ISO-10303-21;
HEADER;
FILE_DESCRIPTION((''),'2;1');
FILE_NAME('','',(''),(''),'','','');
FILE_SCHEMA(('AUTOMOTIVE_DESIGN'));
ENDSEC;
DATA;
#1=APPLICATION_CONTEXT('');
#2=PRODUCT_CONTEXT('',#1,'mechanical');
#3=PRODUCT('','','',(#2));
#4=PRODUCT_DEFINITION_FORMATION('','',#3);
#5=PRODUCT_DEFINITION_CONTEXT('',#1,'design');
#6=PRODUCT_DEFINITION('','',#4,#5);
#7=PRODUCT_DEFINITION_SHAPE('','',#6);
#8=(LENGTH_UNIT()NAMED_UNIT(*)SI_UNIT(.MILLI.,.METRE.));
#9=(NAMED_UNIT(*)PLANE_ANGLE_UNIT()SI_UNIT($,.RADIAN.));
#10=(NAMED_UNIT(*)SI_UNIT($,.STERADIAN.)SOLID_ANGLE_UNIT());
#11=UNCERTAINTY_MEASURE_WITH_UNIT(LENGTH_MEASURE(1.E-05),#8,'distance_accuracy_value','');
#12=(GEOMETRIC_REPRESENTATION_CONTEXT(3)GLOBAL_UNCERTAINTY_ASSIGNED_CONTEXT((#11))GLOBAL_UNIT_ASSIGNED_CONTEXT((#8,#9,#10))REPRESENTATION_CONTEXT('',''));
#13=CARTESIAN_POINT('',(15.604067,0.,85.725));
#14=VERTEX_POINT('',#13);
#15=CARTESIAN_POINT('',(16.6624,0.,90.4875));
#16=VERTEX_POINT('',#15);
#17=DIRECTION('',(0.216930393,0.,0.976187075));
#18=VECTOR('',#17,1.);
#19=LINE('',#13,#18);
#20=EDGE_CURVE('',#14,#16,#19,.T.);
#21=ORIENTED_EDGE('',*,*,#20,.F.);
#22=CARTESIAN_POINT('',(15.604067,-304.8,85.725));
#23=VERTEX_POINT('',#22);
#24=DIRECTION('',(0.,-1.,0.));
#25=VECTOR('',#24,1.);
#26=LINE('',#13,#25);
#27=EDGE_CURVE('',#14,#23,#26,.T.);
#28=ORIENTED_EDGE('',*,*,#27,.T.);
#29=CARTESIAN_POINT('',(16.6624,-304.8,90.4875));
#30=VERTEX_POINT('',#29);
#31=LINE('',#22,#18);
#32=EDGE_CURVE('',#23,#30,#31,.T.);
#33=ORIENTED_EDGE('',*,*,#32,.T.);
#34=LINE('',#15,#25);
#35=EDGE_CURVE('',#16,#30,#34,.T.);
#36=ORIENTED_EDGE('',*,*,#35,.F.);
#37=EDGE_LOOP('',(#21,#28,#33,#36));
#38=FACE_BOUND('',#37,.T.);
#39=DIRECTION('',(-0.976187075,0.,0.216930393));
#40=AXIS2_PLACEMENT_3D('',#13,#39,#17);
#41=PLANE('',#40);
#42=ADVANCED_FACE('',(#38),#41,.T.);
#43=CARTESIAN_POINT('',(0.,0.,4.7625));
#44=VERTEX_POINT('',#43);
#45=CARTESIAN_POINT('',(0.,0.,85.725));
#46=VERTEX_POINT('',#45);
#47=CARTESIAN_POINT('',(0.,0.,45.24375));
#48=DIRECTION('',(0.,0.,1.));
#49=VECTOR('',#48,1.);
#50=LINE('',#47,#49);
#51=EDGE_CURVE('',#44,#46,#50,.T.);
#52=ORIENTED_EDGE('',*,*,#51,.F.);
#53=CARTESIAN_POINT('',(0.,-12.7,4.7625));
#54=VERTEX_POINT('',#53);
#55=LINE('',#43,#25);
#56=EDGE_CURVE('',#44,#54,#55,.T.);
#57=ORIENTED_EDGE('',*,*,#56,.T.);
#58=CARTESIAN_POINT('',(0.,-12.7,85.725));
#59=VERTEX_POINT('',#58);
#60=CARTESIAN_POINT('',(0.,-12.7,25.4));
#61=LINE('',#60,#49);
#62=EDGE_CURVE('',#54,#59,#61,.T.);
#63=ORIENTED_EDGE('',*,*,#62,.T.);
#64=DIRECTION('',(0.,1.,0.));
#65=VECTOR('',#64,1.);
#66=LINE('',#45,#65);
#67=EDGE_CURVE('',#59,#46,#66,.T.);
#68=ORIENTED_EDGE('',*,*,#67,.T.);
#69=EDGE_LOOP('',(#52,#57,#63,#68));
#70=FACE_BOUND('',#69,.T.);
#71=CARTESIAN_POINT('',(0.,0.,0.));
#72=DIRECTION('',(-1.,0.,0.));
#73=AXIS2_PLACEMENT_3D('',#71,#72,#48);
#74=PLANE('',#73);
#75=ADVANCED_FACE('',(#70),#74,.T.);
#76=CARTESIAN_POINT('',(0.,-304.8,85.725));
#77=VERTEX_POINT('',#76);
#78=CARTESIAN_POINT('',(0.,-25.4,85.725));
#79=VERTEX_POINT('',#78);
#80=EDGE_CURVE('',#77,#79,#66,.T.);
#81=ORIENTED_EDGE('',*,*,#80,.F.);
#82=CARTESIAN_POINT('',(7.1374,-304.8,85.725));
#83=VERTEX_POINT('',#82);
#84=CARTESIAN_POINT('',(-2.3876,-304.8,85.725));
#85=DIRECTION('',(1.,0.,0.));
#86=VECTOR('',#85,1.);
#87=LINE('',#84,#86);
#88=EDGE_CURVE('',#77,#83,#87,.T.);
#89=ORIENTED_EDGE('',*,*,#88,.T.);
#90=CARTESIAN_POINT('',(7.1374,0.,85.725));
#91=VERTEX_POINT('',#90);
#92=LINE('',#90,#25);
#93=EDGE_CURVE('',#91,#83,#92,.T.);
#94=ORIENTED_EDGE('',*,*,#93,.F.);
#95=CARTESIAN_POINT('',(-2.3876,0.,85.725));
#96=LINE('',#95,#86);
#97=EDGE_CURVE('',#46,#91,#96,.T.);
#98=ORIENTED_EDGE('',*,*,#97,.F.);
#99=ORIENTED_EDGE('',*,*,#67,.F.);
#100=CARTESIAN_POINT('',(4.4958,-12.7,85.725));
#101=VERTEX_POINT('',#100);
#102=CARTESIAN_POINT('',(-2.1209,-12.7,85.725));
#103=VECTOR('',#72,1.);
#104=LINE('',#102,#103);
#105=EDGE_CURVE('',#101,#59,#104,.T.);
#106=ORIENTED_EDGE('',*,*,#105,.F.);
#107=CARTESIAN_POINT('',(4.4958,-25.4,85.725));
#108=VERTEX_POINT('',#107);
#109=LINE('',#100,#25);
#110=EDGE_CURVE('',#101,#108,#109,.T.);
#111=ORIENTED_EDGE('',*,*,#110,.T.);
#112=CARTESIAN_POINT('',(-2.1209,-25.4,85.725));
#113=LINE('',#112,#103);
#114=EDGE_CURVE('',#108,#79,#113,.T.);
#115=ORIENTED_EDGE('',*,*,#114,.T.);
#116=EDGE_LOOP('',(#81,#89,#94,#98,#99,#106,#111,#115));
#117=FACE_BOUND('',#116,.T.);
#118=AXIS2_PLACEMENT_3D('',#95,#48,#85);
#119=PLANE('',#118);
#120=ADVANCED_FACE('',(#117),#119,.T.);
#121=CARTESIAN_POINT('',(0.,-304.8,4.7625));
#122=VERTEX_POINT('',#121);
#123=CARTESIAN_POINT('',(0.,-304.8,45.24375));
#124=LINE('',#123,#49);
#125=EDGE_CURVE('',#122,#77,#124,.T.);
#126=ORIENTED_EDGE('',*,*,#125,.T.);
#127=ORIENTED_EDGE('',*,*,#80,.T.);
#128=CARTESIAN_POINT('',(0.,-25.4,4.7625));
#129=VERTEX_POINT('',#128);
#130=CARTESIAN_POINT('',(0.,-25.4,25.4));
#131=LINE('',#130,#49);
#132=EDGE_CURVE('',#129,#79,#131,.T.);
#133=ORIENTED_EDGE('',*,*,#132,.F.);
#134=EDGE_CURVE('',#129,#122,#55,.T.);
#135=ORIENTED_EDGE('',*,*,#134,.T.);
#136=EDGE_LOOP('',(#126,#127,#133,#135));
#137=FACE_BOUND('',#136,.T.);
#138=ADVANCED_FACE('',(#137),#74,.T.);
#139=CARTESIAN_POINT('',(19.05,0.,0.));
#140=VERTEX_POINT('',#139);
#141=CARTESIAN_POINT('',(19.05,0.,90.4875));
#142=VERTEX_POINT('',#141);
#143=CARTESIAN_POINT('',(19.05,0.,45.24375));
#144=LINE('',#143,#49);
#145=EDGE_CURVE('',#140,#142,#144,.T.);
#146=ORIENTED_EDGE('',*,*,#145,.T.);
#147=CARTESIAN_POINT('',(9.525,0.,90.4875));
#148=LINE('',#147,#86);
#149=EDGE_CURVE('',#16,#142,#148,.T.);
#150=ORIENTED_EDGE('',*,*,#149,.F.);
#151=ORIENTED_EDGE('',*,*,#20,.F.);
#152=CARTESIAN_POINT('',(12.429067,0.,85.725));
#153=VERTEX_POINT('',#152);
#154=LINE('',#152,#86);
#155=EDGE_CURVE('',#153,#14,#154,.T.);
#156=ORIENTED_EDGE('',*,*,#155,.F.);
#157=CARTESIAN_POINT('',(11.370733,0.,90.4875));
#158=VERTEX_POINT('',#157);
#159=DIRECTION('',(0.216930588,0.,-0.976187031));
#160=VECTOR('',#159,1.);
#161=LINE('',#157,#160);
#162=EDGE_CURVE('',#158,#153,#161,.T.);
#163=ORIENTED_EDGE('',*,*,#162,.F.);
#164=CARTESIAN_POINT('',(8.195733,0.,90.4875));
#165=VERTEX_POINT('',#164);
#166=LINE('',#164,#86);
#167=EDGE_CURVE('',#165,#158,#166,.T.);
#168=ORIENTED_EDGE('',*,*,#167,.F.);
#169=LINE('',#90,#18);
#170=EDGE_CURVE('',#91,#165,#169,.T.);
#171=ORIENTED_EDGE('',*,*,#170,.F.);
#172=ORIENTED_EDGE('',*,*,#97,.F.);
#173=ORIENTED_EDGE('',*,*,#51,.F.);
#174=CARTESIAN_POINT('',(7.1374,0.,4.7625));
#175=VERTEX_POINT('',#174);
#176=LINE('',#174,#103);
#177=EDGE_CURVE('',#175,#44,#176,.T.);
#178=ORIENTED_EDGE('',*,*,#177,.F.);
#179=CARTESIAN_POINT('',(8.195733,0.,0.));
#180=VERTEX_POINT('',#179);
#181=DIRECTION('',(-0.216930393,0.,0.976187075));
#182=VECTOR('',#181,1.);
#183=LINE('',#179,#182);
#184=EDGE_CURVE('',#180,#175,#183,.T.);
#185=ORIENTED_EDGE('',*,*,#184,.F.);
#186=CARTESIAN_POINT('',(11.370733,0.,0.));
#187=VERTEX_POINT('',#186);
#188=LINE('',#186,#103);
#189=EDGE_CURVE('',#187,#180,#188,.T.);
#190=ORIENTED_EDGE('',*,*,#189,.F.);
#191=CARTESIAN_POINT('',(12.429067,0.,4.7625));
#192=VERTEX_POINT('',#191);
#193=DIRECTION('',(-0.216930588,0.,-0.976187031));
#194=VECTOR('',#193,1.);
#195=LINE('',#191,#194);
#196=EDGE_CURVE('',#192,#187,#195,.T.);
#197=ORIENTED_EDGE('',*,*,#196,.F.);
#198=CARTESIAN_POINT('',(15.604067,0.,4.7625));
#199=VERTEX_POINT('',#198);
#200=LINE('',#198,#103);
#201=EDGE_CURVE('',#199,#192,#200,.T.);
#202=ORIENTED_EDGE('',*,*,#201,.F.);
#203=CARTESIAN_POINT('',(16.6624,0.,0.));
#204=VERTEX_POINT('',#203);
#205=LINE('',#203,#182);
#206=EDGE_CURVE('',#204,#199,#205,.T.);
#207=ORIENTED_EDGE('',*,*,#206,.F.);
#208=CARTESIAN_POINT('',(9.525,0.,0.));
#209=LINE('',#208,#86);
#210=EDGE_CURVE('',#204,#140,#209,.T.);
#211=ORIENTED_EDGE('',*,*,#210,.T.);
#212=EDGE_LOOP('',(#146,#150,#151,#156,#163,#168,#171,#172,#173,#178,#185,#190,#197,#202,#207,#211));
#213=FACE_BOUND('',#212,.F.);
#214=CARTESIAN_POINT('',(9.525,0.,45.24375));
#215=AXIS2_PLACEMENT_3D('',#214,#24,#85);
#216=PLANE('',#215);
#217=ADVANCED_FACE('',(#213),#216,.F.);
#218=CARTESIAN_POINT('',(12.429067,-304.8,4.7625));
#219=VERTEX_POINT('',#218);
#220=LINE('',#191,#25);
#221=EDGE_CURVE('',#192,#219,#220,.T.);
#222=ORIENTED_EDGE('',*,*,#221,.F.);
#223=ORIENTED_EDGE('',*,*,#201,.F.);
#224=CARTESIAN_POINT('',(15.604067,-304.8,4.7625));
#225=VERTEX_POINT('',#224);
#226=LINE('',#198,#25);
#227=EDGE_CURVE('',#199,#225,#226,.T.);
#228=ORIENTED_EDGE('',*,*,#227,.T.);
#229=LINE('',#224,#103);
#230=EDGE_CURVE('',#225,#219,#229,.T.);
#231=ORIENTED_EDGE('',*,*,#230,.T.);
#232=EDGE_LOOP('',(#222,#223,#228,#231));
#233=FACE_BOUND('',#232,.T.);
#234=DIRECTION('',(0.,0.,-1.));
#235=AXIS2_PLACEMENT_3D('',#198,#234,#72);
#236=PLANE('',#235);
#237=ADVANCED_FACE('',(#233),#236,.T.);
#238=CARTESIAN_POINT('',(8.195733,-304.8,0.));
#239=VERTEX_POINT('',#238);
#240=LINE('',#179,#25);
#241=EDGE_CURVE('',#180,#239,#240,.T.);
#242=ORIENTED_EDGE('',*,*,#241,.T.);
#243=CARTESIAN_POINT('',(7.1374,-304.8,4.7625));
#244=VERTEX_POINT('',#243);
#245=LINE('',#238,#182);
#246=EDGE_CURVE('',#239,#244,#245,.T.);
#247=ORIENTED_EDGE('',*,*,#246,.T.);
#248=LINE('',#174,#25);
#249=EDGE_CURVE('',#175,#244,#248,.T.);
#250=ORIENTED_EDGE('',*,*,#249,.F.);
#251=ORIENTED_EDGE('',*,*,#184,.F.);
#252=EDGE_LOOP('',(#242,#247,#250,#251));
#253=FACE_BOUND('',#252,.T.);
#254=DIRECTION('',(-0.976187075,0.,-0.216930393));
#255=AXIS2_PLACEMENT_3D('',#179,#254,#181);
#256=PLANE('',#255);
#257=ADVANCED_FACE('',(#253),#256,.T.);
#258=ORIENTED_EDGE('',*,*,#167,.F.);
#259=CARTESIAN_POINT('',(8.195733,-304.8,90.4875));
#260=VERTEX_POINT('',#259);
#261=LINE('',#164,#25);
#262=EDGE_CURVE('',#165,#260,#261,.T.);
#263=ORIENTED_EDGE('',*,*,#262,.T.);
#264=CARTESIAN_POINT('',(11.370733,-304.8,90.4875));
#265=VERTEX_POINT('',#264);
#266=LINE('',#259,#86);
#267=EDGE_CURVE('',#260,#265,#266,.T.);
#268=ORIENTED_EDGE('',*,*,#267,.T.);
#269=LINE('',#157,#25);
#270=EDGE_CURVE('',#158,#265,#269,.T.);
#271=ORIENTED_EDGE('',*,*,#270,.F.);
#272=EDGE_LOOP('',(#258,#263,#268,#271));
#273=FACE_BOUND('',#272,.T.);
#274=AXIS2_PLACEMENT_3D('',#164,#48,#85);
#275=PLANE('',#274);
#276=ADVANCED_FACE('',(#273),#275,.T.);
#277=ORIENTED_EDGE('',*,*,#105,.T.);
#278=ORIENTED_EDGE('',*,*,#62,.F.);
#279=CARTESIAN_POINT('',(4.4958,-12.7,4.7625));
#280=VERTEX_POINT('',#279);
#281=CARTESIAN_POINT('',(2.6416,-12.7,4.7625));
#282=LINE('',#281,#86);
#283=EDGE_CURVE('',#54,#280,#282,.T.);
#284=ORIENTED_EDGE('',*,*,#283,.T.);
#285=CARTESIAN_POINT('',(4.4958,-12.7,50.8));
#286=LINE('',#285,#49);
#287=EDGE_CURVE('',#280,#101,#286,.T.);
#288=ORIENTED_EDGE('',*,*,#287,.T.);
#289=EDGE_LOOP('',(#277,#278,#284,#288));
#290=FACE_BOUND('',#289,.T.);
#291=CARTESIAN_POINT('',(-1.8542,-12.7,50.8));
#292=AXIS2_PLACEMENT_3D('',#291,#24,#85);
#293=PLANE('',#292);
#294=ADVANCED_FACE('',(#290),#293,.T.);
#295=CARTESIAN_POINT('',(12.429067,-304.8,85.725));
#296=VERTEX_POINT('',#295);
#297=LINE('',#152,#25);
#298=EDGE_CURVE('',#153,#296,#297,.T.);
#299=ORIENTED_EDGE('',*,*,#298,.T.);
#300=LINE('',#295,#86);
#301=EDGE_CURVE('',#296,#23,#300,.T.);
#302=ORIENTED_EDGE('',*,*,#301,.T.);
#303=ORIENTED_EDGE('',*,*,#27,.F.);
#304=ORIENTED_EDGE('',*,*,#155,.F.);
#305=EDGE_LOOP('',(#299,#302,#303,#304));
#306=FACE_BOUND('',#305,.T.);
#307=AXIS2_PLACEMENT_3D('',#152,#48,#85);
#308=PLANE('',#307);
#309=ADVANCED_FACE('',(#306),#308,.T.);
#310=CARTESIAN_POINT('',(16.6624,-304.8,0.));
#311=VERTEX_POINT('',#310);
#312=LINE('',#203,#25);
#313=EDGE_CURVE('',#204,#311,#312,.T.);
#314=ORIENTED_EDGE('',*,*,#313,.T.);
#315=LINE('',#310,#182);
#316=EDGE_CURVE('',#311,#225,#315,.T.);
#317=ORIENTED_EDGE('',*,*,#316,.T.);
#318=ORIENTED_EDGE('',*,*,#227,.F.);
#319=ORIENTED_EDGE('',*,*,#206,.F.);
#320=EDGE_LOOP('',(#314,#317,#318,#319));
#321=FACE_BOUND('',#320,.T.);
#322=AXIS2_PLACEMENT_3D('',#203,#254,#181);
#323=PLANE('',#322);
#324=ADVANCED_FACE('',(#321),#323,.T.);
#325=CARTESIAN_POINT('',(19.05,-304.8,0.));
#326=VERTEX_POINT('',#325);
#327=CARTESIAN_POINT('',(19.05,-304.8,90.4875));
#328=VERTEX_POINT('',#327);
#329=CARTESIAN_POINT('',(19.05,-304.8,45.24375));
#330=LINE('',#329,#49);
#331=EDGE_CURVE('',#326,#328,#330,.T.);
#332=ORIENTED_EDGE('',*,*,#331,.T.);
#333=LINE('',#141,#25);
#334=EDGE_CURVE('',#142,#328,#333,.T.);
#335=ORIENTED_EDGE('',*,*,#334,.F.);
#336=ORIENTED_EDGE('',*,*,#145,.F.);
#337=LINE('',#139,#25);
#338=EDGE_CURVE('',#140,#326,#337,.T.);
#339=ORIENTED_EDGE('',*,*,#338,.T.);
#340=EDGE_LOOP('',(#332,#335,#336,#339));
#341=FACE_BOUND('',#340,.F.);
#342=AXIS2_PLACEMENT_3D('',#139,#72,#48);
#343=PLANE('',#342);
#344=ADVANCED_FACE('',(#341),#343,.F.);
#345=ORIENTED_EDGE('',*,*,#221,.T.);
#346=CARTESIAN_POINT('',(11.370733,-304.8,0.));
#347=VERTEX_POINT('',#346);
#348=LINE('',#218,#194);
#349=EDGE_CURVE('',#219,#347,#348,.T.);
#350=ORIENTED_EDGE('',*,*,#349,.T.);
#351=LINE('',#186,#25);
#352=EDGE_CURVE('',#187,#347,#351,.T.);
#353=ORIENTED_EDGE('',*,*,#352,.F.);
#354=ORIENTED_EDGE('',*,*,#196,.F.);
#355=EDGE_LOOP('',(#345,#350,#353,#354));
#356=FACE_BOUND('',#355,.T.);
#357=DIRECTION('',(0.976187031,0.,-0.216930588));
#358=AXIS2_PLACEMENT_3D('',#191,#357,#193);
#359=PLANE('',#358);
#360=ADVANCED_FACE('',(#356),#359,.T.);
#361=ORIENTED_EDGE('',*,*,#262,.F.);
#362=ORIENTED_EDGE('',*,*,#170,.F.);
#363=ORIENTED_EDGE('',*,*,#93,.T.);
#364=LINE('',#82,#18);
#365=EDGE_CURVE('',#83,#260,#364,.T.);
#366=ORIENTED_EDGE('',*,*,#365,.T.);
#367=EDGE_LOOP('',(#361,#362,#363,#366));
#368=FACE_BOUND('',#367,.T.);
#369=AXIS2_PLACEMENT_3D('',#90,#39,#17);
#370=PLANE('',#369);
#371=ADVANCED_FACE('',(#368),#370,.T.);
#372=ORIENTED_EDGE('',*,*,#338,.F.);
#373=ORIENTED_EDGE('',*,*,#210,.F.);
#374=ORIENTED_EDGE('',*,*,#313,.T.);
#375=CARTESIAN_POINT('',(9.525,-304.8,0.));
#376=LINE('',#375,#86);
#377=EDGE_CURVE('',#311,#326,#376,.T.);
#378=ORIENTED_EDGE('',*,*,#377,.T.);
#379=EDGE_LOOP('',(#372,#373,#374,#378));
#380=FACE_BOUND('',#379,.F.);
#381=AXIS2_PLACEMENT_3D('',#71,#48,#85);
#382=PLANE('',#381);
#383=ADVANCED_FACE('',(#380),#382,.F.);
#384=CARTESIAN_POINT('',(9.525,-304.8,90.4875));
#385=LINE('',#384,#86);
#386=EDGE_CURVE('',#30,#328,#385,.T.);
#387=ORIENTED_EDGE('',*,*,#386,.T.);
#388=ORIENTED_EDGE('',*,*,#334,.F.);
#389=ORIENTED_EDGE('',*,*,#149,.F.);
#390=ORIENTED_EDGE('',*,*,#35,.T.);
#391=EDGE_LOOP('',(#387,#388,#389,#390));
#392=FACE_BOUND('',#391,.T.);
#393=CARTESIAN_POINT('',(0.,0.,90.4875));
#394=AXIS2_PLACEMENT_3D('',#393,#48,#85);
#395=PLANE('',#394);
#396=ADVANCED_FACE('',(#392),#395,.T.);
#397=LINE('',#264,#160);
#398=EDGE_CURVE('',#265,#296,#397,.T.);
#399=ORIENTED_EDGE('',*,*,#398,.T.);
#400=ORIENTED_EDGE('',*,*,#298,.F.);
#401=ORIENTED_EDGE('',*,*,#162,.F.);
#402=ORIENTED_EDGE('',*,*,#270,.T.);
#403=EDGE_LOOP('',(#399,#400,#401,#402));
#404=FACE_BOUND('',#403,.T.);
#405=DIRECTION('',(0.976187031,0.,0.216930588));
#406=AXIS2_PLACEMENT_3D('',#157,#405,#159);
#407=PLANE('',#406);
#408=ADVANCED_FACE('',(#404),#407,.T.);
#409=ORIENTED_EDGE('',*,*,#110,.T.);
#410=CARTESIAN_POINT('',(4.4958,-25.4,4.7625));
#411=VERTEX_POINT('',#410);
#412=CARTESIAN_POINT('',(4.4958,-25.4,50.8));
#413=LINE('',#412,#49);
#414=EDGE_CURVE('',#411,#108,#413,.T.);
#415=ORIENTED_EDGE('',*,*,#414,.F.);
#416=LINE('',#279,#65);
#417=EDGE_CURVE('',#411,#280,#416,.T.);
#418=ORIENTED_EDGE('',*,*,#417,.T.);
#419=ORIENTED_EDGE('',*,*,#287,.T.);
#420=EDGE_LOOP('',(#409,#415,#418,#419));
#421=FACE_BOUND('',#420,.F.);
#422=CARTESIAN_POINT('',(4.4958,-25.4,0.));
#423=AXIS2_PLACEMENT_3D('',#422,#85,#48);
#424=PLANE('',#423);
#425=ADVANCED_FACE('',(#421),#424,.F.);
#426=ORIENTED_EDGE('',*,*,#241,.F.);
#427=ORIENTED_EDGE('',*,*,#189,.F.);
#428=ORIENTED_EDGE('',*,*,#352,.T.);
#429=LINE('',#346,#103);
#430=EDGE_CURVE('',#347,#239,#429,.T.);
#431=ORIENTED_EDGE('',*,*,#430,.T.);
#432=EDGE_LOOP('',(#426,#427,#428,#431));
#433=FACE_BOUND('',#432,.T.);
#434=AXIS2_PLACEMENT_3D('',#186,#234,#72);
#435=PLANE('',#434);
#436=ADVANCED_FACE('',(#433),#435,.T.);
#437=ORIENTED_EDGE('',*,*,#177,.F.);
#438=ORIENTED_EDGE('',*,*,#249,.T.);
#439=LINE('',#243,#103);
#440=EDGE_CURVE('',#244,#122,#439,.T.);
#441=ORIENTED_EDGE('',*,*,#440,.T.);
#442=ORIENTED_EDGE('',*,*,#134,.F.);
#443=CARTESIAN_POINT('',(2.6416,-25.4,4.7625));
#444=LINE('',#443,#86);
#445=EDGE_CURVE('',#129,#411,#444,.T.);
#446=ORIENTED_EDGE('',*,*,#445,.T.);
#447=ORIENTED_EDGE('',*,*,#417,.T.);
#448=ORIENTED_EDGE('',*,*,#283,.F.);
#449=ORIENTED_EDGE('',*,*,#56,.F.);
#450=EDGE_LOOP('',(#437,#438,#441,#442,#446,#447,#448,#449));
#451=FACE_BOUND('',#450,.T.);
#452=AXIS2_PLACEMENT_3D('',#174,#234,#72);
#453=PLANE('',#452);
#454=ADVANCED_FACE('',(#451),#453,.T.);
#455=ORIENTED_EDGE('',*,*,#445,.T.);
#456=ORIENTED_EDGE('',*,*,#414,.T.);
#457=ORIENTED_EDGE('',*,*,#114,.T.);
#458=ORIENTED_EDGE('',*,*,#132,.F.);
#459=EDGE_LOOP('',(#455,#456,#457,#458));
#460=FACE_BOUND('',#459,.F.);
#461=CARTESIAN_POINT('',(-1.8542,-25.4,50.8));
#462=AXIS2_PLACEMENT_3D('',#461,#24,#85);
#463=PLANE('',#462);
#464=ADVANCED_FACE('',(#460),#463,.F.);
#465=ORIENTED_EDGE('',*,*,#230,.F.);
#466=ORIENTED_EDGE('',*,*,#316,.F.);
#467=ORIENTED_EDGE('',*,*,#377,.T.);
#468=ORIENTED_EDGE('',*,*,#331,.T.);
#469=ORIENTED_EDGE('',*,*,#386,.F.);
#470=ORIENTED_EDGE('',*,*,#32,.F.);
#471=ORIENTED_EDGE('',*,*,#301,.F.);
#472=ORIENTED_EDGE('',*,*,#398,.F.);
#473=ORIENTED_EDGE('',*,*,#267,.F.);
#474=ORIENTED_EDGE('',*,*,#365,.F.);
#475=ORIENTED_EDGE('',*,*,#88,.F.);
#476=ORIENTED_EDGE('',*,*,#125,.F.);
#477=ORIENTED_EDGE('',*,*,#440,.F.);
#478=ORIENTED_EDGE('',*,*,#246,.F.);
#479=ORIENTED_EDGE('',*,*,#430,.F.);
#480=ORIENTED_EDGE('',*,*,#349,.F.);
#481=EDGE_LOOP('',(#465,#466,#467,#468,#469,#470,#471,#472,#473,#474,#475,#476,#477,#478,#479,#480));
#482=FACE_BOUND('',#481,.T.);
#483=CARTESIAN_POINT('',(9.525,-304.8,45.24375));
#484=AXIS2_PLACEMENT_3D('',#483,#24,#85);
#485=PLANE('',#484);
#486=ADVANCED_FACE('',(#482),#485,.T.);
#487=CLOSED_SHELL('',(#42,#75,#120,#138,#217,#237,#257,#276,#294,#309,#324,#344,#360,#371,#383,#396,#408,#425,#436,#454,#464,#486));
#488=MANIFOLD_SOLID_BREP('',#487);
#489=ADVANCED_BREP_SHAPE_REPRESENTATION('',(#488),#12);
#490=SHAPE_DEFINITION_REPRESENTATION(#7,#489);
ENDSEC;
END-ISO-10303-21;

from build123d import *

# Parameters (mm, degrees)
F0_W     = 19.05
F0_H     = 90.4875
F1_DEPTH = 304.8
F3_W     = 12.7
F3_H     = 101.6
F4_DEPTH = 12.7
F6_DEPTH = 304.8
F8_DEPTH = 304.8


with BuildPart() as f1:
    # F0 (on Front) → F1 (new body)
    with BuildSketch(Plane.XZ):
        with Locations((9.525, 45.24375)):
            Rectangle(F0_W, F0_H)
    extrude(amount=F1_DEPTH)

    # F3 (on offset) → F4 (cut)
    with BuildSketch(Plane.XZ.offset(25.4)):
        with Locations((-1.8542, 50.8)):
            Rectangle(F3_W, F3_H)
    extrude(amount=-F4_DEPTH, mode=Mode.SUBTRACT)

    # F5 (on Front) → F6 (cut)
    with BuildSketch(Plane.XZ):
        Polygon((-2.3876, -5.089026), (26.1874, -5.089026), (26.1874, 0), (16.6624, 0), (15.604067, 4.7625), (12.429067, 4.7625), (11.370733, 0), (8.195733, 0), (7.1374, 4.7625), (-2.3876, 4.7625), align=None)
    extrude(amount=F6_DEPTH, mode=Mode.SUBTRACT)

    # F7 (on Front) → F8 (cut)
    with BuildSketch(Plane.XZ):
        Polygon((26.1874, 90.4875), (26.1874, 95.576526), (-2.3876, 95.576526), (-2.3876, 85.725), (7.1374, 85.725), (8.195733, 90.4875), (11.370733, 90.4875), (12.429067, 85.725), (15.604067, 85.725), (16.6624, 90.4875), align=None)
    extrude(amount=F8_DEPTH, mode=Mode.SUBTRACT)


solid = f1.part
